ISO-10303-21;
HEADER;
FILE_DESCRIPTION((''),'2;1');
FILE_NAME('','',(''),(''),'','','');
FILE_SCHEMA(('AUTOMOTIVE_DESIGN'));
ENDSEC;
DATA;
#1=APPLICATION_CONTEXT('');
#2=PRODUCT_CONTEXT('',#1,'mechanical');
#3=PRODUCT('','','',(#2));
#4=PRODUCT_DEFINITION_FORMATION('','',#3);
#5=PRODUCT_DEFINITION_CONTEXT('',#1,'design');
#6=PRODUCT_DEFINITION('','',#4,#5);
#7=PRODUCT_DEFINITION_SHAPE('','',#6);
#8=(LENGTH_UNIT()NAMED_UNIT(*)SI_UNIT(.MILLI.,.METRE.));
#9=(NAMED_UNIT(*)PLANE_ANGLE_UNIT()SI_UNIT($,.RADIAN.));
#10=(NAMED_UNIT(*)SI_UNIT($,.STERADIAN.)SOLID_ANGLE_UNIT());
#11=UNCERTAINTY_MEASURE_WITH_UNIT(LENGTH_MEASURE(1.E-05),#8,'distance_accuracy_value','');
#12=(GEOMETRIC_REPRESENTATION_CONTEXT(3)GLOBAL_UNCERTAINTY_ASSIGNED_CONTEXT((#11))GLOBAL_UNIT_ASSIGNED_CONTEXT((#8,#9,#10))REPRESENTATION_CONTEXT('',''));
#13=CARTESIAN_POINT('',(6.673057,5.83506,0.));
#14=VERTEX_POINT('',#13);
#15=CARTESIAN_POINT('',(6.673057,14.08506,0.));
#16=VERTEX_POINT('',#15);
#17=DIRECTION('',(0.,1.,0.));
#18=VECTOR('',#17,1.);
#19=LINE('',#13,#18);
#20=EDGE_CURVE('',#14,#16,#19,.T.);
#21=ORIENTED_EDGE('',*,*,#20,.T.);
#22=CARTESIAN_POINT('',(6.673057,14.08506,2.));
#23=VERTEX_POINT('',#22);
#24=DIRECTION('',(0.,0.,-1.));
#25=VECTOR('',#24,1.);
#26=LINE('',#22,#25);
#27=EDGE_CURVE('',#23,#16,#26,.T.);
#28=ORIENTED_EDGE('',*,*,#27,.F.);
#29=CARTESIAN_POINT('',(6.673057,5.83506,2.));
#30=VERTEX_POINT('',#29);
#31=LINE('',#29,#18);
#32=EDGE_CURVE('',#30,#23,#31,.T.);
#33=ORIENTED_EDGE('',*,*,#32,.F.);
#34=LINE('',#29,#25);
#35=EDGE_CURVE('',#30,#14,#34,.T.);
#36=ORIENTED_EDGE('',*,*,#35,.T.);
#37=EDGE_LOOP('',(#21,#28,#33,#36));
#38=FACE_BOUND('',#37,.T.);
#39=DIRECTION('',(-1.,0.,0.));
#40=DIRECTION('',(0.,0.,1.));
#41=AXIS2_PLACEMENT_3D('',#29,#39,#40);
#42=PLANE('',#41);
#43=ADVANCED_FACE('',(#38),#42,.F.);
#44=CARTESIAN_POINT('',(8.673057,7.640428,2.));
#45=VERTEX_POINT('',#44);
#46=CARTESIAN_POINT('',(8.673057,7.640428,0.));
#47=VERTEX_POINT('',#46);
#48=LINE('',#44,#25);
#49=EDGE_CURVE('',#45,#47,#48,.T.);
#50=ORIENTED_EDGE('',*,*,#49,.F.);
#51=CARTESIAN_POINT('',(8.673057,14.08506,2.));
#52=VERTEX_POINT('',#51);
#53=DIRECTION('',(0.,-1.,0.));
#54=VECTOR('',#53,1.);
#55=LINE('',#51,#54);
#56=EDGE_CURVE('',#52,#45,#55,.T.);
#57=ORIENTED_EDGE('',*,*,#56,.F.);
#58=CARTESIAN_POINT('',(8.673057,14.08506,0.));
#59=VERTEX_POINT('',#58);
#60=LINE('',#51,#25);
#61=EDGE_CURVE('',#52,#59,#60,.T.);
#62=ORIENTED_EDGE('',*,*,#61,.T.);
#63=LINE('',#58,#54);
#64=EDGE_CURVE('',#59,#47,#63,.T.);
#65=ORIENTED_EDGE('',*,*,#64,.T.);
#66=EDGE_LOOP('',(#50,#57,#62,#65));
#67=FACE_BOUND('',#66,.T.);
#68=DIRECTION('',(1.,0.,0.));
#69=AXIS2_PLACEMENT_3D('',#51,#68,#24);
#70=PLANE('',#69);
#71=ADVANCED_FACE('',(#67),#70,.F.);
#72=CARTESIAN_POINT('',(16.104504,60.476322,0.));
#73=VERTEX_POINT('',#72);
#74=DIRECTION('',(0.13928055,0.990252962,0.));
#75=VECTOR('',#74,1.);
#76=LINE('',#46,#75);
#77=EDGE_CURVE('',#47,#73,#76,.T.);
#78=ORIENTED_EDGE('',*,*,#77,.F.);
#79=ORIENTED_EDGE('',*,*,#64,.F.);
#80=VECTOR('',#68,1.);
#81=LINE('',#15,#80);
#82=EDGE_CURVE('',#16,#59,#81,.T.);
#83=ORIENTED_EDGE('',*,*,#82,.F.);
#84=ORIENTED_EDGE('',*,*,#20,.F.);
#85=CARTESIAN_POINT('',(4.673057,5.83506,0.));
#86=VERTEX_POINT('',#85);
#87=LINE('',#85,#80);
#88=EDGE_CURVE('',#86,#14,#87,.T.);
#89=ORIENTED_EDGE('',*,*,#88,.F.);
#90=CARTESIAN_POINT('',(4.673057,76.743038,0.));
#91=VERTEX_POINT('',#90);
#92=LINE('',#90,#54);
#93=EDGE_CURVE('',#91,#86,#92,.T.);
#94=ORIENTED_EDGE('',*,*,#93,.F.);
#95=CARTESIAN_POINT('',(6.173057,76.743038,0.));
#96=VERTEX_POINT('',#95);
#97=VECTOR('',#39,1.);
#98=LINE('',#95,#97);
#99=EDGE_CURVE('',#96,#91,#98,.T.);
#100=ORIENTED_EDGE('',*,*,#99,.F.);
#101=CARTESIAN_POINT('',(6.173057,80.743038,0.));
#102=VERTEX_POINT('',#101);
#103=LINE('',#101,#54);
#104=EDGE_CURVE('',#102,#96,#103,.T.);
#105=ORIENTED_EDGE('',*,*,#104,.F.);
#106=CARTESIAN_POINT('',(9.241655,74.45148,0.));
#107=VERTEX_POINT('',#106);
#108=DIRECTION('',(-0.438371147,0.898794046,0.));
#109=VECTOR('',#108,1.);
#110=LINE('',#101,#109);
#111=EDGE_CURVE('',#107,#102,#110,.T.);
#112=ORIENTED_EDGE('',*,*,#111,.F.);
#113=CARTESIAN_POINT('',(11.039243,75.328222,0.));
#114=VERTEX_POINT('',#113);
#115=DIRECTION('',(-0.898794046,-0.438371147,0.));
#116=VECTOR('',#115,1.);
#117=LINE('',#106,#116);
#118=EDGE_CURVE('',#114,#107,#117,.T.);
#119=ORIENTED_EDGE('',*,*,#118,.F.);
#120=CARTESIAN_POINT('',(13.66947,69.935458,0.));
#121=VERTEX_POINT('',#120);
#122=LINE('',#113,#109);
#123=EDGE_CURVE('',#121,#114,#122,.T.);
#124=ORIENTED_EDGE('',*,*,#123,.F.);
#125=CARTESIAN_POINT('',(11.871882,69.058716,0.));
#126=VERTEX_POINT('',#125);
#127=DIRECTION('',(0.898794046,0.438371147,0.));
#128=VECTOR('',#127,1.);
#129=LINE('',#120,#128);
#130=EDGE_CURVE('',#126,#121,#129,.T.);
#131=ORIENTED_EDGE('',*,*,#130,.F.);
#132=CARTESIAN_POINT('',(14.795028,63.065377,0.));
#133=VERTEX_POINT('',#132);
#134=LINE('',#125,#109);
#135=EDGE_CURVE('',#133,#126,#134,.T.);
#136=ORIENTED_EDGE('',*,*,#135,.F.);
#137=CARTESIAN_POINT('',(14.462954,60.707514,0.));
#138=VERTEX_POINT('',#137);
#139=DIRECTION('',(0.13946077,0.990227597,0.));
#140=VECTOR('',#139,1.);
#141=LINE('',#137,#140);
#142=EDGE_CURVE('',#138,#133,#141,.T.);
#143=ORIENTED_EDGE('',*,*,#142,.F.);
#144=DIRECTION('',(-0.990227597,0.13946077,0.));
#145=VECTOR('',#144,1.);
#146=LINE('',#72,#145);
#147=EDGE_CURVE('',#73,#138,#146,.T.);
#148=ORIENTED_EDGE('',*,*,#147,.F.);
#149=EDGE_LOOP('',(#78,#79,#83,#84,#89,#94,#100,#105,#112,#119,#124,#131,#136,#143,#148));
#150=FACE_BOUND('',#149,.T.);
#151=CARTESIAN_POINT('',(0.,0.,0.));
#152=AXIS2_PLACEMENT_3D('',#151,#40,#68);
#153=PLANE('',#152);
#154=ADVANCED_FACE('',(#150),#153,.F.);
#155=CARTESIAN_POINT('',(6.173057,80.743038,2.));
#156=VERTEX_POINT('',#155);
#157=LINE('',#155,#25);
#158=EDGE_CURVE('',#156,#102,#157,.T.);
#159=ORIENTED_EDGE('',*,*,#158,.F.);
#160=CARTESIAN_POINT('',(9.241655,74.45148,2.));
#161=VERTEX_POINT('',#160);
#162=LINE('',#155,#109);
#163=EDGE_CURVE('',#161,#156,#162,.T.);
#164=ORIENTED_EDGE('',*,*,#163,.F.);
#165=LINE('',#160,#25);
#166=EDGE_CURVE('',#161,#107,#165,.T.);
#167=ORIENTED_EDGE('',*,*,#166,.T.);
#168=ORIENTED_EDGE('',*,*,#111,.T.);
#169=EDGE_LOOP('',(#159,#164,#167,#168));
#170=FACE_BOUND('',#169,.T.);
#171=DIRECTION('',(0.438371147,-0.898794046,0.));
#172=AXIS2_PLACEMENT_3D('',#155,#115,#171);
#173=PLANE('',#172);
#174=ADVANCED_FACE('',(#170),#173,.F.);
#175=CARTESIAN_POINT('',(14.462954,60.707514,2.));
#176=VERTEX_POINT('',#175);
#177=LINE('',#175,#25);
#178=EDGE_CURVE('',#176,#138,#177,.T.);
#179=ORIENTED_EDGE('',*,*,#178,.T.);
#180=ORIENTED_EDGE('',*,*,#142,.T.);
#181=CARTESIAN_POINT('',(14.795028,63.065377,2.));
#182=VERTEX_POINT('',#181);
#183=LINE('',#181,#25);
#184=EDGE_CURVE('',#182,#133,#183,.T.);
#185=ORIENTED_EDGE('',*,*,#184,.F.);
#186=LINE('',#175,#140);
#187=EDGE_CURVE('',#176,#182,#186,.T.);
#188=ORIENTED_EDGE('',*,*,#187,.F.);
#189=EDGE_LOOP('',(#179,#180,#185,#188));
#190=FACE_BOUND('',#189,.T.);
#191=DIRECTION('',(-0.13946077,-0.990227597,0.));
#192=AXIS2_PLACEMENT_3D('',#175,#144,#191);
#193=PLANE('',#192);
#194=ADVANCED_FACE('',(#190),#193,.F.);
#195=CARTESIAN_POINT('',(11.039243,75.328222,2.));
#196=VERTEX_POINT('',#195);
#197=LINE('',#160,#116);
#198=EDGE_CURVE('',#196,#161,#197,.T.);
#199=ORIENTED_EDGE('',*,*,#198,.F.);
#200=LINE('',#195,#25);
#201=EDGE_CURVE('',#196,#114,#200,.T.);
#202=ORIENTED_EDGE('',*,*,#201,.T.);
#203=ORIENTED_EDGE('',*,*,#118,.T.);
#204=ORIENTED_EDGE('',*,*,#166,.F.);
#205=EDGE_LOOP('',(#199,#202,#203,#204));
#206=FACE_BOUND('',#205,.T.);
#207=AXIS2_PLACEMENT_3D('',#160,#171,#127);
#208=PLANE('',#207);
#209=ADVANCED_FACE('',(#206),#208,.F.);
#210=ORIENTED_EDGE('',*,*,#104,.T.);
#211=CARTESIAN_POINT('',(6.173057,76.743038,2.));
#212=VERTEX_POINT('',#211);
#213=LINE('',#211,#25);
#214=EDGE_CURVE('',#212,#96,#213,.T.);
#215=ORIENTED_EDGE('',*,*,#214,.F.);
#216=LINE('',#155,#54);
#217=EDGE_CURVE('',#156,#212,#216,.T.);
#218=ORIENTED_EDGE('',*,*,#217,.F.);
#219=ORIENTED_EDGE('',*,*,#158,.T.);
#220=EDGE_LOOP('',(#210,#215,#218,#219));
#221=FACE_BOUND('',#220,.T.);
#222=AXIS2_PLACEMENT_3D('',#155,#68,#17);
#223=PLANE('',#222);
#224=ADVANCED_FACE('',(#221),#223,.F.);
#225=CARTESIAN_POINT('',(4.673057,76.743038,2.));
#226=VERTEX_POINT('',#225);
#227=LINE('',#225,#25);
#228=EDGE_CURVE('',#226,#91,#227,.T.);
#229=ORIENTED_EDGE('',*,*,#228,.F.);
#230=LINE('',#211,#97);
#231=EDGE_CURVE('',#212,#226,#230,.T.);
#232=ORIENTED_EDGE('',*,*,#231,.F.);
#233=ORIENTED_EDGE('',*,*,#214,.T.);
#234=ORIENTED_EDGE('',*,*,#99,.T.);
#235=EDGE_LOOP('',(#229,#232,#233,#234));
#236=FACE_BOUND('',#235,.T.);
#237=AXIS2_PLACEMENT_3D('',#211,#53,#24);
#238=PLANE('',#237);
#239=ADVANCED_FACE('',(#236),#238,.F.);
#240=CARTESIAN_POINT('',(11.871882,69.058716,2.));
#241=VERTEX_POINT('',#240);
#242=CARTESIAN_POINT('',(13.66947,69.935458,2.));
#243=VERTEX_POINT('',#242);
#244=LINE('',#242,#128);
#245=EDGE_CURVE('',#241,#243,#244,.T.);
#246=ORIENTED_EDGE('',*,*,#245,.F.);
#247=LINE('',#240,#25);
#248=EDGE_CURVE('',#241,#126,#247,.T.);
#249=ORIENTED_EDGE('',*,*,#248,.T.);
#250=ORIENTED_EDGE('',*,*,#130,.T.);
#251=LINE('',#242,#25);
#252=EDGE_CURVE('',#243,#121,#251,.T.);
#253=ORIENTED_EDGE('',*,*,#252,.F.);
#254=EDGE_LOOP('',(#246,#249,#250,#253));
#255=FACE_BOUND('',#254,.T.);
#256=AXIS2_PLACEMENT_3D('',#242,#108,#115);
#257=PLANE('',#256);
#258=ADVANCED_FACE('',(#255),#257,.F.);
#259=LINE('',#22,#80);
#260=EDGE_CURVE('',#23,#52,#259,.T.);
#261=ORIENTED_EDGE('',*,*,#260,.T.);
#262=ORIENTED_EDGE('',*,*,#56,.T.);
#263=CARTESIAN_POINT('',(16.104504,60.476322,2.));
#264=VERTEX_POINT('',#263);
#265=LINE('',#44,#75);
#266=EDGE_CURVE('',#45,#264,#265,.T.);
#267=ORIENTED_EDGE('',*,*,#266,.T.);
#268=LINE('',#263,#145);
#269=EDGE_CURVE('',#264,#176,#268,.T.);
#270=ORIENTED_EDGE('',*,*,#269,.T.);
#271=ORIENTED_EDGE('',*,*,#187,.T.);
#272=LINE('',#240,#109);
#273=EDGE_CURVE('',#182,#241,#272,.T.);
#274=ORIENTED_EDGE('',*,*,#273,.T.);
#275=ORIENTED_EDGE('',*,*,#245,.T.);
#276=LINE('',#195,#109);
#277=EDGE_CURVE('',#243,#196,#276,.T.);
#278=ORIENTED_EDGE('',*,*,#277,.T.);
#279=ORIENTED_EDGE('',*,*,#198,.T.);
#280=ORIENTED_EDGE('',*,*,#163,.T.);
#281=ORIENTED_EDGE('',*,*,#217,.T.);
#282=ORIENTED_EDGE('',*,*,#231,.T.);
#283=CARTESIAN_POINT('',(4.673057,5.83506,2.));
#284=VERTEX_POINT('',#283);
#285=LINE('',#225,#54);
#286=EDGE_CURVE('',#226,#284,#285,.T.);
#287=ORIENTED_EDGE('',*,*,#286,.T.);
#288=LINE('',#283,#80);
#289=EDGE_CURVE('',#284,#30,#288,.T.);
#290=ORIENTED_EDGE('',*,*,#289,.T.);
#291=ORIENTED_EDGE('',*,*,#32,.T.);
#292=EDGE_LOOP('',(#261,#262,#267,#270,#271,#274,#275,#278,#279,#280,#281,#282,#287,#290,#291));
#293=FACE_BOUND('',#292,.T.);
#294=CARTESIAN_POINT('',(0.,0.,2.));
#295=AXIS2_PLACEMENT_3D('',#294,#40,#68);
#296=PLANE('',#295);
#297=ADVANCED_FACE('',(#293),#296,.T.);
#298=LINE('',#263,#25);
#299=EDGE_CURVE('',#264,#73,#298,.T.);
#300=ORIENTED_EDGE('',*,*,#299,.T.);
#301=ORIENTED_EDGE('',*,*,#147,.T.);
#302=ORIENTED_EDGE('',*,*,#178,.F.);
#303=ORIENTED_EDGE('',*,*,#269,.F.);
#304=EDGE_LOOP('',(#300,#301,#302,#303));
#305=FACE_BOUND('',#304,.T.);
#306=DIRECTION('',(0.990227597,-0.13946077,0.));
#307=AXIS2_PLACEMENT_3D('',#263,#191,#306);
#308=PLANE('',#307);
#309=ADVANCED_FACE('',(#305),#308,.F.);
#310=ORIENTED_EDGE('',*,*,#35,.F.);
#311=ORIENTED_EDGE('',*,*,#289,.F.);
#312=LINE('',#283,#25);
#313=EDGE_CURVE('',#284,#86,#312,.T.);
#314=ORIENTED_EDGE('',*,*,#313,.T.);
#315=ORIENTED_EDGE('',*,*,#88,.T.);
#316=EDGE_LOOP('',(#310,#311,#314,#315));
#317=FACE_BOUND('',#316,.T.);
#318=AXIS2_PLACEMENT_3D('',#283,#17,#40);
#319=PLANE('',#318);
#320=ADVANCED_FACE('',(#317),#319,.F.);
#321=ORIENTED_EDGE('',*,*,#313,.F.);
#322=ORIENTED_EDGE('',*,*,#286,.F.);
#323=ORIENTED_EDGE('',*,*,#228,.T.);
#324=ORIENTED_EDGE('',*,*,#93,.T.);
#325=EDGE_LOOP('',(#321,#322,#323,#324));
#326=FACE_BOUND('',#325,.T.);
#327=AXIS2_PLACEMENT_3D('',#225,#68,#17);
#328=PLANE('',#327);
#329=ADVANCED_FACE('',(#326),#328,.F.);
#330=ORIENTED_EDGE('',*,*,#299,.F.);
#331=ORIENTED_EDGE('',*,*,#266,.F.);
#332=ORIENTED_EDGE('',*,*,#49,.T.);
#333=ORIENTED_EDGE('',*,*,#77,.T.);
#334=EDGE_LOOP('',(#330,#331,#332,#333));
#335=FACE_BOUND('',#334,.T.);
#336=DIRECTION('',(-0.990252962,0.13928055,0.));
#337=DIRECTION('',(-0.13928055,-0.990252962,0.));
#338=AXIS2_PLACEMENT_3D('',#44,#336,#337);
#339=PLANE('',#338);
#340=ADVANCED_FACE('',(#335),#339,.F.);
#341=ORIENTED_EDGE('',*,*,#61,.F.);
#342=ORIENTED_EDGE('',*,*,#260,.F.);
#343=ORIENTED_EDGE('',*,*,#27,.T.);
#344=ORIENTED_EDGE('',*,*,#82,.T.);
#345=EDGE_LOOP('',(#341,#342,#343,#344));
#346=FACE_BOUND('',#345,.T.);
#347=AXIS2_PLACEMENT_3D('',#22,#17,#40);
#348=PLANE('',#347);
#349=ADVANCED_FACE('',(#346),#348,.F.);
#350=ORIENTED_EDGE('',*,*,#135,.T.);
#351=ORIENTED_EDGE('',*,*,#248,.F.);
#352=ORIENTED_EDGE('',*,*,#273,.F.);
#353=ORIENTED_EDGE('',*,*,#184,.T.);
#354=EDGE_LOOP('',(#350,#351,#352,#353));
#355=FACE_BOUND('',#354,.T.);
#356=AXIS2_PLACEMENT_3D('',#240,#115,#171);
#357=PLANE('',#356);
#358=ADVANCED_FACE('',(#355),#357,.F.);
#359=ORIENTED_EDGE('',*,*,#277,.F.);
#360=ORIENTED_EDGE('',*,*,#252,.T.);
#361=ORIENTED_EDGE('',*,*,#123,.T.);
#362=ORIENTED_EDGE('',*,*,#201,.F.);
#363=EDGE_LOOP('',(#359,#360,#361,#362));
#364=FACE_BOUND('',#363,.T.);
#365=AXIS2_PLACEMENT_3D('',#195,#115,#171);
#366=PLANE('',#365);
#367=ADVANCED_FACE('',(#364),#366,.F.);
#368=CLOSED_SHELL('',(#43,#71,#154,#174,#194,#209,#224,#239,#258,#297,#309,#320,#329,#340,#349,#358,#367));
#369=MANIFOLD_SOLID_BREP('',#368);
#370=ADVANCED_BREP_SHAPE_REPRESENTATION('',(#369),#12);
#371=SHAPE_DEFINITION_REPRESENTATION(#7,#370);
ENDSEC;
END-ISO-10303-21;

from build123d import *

# Parameters (mm, degrees)
EXTRUDE_1_DEPTH = 2


with BuildPart() as part:
    # 草图1 → 凸台-拉伸1 (new body)
    with BuildSketch(Plane.XY):
        Polygon((6.173056655, 80.743038467), (6.173056655, 76.743038467), (4.673056655, 76.743038467), (4.673056655, 5.835060062), (6.673056655, 5.835060062), (6.673056655, 14.085060062), (8.673056655, 14.085060062), (8.673056655, 7.640427596), (16.104503768, 60.476322438), (14.46295379, 60.707513556), (14.795028372, 63.065376733), (11.871881563, 69.058715865), (13.669469656, 69.935458159), (11.039242775, 75.328222437), (9.241654682, 74.451480143), align=None)
    extrude(amount=EXTRUDE_1_DEPTH)


solid = part.part
